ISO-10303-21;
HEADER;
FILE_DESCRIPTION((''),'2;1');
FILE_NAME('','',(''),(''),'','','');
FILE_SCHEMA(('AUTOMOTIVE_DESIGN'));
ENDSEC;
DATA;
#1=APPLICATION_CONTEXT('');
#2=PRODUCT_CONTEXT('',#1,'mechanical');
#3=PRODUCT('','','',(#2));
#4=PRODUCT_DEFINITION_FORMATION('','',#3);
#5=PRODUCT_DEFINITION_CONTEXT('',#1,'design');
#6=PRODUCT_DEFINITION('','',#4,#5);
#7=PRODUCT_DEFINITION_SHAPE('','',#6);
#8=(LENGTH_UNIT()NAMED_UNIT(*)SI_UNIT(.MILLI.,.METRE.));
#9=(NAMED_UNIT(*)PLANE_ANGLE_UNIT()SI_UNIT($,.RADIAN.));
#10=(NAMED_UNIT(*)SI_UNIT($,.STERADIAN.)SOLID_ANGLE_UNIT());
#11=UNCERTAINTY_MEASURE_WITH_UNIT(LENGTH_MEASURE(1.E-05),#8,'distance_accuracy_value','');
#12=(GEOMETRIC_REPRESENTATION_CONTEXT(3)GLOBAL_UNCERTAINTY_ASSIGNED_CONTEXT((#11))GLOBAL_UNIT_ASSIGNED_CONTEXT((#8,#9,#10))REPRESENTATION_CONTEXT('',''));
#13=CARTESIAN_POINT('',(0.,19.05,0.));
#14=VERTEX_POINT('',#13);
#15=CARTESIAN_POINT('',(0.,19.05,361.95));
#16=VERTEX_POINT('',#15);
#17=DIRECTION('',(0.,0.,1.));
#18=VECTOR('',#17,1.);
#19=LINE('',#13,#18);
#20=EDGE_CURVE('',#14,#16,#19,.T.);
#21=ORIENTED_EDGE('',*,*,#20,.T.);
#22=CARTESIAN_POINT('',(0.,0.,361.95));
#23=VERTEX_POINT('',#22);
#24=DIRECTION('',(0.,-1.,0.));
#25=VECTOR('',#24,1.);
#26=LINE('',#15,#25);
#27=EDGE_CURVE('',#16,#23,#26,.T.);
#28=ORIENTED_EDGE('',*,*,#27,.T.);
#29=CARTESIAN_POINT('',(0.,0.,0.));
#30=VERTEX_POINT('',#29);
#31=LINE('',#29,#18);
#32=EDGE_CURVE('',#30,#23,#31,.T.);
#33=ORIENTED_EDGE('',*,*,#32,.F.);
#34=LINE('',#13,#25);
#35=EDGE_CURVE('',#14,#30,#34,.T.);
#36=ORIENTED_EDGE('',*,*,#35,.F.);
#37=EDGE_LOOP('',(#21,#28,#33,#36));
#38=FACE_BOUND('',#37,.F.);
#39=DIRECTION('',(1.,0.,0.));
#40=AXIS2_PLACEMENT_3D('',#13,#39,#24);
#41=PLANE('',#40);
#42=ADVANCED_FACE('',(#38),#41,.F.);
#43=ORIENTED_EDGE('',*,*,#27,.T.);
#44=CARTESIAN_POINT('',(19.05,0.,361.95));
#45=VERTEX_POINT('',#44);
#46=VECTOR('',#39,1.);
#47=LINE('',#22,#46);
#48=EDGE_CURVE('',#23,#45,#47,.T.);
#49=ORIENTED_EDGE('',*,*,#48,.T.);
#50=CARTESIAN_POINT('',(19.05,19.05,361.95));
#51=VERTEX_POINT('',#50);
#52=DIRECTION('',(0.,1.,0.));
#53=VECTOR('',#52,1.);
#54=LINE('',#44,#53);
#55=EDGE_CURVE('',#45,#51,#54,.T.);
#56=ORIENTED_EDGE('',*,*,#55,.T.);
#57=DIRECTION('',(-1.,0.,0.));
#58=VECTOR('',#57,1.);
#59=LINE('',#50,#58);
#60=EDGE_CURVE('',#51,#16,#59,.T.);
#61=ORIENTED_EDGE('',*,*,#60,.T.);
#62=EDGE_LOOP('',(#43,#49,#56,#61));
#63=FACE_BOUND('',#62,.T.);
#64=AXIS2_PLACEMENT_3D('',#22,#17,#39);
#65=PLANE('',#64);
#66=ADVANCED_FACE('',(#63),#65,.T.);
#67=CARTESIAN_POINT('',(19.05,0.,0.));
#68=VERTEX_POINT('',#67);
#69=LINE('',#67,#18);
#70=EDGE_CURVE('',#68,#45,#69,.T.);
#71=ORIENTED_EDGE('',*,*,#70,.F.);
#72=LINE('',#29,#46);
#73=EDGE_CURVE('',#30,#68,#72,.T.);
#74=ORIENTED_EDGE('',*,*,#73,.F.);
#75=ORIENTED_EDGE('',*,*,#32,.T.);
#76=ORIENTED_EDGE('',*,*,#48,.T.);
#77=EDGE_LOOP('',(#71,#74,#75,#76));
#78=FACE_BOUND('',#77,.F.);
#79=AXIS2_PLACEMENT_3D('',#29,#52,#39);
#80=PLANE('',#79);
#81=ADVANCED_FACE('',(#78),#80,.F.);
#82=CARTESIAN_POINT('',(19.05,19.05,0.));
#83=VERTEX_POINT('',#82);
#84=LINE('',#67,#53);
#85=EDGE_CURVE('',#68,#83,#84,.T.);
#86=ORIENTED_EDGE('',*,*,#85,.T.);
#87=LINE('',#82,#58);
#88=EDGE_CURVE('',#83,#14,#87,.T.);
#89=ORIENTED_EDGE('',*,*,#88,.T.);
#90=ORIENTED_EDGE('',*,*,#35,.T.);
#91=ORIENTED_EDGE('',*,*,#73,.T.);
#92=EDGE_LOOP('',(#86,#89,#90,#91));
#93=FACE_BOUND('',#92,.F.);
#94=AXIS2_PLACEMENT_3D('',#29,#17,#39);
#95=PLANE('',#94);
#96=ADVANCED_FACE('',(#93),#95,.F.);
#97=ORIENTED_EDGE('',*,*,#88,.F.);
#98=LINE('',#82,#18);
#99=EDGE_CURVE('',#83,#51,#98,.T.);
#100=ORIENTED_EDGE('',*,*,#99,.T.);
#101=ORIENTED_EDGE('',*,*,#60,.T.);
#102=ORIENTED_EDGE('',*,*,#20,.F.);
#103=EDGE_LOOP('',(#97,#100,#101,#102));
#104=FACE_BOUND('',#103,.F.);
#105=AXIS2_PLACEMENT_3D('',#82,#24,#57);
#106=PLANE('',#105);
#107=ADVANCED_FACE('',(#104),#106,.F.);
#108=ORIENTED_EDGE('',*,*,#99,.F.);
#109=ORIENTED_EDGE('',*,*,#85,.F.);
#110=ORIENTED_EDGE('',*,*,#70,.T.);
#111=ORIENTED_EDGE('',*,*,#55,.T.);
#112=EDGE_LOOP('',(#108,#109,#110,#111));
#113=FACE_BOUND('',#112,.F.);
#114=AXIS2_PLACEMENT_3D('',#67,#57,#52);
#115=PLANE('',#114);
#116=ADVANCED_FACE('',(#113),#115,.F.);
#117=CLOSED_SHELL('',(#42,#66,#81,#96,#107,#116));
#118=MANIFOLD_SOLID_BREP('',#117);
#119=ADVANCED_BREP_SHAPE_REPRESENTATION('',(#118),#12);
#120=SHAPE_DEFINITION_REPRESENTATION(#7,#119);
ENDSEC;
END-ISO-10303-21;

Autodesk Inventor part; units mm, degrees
ref_plane "YZ Plane" through (0, 0, 0) normal (1, 0, 0) x (0, 1, 0)
ref_plane "XZ Plane" through (0, 0, 0) normal (0, 1, 0) x (-1, 0, 0)
ref_plane "XY Plane" through (0, 0, 0) normal (0, 0, 1) x (1, 0, 0)
sketch "Sketch1" plane through (0, 0, 0) normal (0, 0, 1) x (1, 0, 0)
  line L0 (0, 0) -> (19.05, 0)
  line L1 (19.05, 0) -> (19.05, 19.05)
  line L2 (19.05, 19.05) -> (0, 19.05)
  line L3 (0, 19.05) -> (0, 0)
  dimension "d0" = 19.05
  dimension "d1" = 19.05
extrude "Extrusion1" add sketch "Sketch1" along normal blind 361.95
properties part number "inside wheel strut"
